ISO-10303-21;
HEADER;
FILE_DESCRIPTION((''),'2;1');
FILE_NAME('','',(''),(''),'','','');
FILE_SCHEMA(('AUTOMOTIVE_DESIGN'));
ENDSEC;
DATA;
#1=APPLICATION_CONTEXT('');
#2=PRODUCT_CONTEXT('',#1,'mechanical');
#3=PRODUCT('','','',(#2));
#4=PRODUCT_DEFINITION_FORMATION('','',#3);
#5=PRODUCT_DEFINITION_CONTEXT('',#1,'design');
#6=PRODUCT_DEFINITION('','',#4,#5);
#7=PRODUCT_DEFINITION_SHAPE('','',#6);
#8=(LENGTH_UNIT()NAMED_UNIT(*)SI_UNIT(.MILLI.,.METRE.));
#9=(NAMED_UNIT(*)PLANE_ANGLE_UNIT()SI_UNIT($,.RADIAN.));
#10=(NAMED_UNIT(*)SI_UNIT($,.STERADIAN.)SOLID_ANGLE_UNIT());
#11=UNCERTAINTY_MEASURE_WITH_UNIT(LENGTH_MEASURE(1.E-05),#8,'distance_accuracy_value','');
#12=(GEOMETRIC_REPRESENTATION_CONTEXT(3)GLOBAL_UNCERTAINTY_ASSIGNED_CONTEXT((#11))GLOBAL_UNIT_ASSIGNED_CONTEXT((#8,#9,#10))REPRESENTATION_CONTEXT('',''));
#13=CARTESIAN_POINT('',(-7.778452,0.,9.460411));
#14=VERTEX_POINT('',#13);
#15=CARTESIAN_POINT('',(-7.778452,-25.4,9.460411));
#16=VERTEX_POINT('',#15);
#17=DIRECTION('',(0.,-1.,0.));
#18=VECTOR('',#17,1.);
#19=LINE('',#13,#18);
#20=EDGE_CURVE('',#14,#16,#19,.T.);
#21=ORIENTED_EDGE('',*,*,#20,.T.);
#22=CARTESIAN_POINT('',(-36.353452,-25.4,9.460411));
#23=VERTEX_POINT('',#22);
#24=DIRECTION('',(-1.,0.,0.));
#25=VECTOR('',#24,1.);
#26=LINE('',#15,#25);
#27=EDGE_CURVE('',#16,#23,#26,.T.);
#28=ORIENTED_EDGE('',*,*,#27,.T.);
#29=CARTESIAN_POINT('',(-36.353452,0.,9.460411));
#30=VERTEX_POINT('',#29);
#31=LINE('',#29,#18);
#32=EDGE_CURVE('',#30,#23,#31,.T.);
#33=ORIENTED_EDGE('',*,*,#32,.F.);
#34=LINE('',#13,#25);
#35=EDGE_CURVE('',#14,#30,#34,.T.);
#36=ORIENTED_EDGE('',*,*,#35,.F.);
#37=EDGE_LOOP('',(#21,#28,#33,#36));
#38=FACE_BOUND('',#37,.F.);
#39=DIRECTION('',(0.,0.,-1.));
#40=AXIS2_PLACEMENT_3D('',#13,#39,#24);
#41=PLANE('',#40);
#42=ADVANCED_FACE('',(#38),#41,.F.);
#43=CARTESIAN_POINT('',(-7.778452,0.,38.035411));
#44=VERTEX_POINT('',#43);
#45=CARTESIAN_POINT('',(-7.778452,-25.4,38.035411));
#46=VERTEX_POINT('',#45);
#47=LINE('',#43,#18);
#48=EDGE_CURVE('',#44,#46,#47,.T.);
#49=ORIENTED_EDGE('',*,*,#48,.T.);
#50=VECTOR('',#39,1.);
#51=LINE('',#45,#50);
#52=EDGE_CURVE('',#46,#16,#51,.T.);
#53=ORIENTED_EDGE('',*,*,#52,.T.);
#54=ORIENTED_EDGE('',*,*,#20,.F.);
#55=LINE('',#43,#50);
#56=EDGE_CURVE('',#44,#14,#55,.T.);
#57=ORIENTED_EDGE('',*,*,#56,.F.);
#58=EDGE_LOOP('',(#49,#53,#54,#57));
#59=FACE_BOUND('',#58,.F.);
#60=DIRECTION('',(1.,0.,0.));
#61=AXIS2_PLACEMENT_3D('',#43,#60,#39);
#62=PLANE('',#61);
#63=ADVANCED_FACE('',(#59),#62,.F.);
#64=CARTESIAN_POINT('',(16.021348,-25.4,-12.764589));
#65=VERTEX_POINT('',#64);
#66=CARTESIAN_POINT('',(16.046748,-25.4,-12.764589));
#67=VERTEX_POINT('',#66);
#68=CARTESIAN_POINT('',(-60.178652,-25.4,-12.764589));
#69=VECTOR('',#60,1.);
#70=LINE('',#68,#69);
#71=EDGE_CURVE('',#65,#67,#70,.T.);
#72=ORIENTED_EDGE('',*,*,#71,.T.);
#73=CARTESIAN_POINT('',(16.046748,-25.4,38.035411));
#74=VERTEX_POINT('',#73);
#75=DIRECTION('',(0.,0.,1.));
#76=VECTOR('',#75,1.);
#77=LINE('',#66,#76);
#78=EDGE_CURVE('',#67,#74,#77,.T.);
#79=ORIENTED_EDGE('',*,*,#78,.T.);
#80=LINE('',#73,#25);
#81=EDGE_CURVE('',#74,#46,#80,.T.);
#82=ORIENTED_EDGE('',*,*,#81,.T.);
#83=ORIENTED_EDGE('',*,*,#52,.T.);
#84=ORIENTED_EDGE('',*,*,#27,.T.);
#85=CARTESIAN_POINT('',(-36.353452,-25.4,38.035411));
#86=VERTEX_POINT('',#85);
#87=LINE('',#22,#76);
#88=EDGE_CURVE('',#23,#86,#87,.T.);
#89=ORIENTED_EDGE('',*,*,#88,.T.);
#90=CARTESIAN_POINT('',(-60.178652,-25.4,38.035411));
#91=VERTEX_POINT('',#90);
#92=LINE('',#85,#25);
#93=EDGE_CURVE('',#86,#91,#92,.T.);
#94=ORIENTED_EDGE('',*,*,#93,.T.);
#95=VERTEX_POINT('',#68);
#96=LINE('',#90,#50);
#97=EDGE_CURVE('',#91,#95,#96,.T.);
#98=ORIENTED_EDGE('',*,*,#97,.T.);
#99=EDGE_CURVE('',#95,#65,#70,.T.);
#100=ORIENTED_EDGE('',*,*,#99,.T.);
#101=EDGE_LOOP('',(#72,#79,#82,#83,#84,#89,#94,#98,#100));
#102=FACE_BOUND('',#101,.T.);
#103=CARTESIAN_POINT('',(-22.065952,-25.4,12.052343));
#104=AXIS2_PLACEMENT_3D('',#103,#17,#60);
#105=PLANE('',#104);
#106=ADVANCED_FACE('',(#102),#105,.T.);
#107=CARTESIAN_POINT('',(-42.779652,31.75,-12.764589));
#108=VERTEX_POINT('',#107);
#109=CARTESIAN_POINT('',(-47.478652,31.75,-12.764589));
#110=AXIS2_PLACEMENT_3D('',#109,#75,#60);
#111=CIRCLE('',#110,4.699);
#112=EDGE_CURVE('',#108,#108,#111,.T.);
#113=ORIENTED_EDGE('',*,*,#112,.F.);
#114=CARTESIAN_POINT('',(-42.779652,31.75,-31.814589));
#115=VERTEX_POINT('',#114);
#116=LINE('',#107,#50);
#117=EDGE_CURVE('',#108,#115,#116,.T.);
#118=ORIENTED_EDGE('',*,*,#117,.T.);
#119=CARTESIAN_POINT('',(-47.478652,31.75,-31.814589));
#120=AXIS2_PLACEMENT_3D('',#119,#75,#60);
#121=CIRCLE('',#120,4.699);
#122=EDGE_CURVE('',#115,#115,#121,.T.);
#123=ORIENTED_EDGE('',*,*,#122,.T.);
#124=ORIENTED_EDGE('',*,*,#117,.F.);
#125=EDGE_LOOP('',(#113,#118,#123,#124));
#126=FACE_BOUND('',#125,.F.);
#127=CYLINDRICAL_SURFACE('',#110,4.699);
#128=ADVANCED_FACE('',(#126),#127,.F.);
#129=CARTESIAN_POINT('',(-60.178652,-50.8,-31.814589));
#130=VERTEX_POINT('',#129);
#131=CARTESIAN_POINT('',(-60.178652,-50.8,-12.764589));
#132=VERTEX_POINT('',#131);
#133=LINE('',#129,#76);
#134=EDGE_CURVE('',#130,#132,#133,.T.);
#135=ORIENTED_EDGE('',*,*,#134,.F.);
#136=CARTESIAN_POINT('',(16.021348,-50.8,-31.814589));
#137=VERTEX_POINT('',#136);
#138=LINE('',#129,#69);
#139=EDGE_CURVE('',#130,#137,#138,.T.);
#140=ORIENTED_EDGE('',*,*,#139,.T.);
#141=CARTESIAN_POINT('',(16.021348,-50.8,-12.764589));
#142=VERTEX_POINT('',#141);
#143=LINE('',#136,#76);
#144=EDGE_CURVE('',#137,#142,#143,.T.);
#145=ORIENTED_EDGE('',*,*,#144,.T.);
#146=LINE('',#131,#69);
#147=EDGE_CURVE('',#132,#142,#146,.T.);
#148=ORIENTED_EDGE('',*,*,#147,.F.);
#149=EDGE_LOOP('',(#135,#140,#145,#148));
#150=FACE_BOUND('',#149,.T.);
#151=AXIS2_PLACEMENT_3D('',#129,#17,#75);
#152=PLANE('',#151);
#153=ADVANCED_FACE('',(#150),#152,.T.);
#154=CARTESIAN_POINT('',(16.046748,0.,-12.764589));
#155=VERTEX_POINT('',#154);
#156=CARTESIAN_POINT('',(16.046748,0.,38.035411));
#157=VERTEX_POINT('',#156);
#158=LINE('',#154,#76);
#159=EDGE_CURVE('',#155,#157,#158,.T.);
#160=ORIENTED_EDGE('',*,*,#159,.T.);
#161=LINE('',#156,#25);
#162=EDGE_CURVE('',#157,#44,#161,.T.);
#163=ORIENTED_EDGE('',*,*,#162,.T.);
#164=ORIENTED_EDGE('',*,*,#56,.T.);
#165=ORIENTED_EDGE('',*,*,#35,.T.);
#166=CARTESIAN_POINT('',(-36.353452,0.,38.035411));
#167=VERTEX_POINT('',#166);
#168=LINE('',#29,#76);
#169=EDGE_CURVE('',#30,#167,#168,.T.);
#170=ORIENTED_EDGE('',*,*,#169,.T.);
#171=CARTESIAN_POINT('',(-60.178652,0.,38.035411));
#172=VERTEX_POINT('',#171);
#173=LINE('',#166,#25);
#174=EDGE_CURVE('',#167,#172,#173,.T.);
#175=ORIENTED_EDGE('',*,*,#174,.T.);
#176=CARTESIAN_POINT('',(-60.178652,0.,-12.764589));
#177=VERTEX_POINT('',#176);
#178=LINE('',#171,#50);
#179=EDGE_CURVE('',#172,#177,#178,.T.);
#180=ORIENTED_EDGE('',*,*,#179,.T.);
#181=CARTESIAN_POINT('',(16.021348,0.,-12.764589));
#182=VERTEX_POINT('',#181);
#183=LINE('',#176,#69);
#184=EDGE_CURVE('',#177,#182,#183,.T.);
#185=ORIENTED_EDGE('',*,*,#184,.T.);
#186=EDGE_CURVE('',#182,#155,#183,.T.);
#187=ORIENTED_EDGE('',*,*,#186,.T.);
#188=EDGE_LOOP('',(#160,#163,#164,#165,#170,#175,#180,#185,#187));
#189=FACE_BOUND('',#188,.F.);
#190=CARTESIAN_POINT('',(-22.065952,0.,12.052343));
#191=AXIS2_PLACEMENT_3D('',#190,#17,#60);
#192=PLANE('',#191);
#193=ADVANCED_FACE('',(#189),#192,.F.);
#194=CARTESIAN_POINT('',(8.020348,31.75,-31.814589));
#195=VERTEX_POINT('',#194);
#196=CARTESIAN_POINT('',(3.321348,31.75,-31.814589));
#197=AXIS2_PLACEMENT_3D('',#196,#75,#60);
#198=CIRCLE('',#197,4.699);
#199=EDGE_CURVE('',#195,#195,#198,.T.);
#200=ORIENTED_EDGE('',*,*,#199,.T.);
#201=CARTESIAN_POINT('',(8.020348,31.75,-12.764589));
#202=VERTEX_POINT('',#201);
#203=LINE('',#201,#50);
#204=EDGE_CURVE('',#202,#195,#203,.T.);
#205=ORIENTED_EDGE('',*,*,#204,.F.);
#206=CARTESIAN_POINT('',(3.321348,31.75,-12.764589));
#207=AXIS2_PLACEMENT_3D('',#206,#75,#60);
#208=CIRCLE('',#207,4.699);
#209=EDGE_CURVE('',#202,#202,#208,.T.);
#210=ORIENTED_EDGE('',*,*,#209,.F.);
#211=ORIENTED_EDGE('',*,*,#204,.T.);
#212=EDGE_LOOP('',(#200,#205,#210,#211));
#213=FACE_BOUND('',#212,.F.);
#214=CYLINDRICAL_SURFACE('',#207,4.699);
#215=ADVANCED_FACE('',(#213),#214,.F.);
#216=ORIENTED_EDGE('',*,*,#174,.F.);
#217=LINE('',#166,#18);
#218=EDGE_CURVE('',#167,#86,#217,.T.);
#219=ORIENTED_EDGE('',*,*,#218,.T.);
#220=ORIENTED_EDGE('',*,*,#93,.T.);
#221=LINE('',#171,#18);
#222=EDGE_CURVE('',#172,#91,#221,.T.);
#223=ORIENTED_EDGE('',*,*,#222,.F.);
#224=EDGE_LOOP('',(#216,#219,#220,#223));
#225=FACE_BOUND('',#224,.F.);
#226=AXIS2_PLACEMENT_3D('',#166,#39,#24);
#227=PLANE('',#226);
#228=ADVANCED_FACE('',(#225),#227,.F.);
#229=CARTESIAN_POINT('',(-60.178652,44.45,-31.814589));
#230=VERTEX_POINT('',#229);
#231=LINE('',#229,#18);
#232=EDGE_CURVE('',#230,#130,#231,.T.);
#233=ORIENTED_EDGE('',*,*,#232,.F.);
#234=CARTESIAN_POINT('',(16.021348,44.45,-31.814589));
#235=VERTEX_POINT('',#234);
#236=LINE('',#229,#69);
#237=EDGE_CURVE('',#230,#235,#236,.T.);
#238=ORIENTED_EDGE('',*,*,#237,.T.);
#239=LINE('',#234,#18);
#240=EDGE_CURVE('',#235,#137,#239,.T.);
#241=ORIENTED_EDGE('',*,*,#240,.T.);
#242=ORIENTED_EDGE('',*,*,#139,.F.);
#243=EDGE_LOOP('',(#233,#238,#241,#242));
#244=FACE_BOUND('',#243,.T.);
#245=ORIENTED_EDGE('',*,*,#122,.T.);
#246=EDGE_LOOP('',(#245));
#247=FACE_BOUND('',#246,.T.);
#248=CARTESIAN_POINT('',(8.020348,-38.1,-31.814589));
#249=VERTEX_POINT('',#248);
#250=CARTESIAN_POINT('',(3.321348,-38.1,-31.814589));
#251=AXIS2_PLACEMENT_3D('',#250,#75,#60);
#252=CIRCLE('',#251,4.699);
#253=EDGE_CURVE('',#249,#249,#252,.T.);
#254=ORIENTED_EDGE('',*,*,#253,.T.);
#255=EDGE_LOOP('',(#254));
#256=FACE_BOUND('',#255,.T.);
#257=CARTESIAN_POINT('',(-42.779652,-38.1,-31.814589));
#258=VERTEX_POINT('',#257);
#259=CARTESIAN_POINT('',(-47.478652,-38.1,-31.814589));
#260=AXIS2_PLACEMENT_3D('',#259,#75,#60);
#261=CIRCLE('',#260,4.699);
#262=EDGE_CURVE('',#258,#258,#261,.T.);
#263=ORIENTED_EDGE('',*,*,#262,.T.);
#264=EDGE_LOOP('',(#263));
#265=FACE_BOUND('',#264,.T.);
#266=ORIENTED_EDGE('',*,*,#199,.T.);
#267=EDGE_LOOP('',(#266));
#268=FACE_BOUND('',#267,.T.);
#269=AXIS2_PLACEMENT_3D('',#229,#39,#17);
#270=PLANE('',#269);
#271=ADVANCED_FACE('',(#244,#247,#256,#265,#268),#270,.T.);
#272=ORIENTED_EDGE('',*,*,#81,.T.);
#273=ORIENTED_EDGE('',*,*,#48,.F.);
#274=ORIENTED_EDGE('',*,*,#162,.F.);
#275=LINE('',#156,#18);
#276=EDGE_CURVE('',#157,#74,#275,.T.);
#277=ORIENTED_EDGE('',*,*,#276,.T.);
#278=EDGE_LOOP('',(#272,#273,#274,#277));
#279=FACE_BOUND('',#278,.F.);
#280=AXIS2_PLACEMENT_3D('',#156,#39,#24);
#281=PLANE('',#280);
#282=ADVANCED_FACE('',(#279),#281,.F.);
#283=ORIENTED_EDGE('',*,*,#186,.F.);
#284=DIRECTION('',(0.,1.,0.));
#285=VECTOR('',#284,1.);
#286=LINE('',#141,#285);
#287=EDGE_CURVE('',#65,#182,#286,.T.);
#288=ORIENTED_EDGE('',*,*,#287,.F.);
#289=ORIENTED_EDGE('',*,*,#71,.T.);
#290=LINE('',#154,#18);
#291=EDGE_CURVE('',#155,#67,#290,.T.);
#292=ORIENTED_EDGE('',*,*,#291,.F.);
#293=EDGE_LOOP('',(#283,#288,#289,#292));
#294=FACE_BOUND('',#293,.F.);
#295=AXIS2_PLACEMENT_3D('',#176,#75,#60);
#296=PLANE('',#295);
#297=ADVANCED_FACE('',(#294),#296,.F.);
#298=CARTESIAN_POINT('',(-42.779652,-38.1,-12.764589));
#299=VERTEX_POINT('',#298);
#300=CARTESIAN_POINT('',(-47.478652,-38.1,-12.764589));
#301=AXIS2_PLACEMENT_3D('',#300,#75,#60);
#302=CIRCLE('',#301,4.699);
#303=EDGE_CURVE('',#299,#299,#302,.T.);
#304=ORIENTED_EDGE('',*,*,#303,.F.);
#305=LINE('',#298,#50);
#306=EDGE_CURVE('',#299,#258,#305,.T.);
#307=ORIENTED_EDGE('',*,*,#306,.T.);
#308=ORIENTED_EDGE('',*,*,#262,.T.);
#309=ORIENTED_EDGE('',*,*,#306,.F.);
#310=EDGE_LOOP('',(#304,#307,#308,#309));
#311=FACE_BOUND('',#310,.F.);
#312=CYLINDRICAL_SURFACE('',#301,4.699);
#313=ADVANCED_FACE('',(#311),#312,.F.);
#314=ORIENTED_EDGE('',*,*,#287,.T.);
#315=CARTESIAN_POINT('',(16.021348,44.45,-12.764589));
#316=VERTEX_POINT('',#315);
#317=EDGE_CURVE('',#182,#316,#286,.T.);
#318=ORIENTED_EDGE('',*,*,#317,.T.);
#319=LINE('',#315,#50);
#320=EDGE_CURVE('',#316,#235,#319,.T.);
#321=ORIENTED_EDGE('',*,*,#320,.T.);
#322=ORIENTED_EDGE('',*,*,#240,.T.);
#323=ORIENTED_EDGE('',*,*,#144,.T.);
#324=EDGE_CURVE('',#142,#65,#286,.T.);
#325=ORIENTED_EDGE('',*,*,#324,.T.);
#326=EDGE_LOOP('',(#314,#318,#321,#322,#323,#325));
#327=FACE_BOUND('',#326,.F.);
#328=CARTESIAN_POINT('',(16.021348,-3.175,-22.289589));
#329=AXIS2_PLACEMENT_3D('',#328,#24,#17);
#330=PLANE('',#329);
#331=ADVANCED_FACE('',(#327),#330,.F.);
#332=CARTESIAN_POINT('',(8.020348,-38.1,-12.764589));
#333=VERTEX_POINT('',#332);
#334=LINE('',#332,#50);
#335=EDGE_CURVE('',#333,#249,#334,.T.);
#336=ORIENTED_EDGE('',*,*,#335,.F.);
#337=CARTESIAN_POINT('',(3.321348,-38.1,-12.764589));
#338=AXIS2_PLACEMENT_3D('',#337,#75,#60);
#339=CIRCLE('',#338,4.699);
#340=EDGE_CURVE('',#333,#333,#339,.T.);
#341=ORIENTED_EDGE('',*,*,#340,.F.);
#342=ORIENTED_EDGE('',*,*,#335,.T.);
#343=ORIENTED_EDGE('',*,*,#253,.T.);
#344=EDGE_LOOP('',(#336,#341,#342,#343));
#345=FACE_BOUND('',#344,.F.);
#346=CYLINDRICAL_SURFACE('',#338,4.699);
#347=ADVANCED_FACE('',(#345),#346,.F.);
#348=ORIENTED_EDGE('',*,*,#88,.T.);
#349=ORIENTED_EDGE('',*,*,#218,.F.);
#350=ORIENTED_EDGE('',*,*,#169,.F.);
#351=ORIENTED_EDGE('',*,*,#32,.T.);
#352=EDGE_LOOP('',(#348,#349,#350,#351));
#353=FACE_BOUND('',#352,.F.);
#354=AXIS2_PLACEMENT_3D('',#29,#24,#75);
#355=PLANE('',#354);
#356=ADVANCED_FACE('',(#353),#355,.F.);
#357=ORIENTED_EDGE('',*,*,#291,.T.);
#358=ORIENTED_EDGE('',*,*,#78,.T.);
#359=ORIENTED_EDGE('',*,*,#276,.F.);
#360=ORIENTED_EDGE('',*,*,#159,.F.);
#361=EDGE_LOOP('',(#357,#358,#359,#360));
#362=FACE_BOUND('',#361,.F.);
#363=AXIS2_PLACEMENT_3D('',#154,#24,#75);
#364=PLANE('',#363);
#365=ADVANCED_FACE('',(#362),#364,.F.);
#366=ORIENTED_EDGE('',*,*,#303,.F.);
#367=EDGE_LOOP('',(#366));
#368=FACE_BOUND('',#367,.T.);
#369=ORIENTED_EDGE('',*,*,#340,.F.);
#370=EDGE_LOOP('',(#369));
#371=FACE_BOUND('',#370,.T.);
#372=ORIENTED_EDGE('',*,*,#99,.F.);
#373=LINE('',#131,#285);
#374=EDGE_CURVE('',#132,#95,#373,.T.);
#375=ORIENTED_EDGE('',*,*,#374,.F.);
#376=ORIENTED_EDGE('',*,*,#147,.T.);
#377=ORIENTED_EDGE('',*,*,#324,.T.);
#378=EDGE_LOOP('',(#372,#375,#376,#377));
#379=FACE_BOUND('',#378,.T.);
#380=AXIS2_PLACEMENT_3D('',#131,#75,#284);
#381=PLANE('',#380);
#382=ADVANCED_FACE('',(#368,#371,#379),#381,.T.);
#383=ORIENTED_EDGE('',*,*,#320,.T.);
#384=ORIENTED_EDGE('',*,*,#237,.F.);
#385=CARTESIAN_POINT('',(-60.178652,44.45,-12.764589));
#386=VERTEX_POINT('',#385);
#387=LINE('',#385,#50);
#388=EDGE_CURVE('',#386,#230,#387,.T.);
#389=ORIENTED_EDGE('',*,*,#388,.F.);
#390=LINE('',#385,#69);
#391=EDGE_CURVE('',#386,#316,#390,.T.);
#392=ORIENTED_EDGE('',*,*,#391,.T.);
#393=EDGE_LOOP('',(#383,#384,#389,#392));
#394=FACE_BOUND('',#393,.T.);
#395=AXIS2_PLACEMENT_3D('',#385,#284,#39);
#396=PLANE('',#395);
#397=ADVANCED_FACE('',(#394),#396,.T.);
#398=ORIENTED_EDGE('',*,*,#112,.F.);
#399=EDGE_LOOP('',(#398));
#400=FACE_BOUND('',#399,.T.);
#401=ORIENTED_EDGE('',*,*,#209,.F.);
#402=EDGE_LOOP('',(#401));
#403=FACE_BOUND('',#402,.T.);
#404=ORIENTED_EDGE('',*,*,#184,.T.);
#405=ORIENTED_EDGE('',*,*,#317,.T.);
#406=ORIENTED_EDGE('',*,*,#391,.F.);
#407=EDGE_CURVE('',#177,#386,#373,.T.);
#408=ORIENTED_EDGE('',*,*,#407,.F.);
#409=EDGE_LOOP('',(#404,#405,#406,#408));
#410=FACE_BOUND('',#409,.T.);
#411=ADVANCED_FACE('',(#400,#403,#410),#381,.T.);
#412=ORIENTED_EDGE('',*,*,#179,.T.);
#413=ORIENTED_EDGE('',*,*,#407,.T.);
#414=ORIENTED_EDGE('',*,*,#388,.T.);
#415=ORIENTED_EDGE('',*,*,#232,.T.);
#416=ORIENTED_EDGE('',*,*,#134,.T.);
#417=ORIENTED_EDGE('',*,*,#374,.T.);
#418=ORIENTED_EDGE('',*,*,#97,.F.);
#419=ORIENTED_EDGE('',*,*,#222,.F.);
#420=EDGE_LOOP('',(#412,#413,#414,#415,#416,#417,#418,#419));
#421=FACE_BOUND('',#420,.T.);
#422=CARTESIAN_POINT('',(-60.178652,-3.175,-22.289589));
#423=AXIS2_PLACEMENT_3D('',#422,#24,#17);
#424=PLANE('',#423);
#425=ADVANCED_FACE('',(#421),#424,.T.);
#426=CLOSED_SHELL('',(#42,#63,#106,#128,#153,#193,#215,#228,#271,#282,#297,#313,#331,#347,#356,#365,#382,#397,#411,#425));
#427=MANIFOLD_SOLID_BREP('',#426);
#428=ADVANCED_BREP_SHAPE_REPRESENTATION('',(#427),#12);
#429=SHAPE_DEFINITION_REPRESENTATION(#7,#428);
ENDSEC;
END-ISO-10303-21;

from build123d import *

# Parameters (mm, degrees)
F1_DEPTH = 25.4
F3_DEPTH = 76.2
F4_R     = 4.699
F5_DEPTH = 25.4


with BuildPart() as f1:
    # F0 (on Front) → F1 (new body)
    with BuildSketch(Plane.XZ):
        Polygon((-36.353452, 38.035411), (-60.178652, 38.035411), (-60.178652, -12.764589), (16.046748, -12.764589), (16.046748, 38.035411), (-7.778452, 38.035411), (-7.778452, 9.460411), (-36.353452, 9.460411), align=None)
    extrude(amount=F1_DEPTH)

    # F2 (on face) → F3 (join)
    with BuildSketch(Plane(origin=(-60.178652, 0, 0), x_dir=(0, -1, 0), z_dir=(-1, 0, 0))):
        Polygon((50.8, -12.764589), (0, -12.764589), (-44.45, -12.764589), (-44.45, -31.814589), (50.8, -31.814589), align=None)
    extrude(amount=-F3_DEPTH)

    # F4 (on face) → F5 (cut)
    with BuildSketch(Plane.XY.offset(-12.764589)):
        with Locations((3.321348, 31.75)):
            Circle(F4_R)
        with Locations((-47.478652, 31.75)):
            Circle(F4_R)
        with Locations((-47.478652, -38.1)):
            Circle(F4_R)
        with Locations((3.321348, -38.1)):
            Circle(F4_R)
    extrude(amount=-F5_DEPTH, mode=Mode.SUBTRACT)


solid = f1.part
